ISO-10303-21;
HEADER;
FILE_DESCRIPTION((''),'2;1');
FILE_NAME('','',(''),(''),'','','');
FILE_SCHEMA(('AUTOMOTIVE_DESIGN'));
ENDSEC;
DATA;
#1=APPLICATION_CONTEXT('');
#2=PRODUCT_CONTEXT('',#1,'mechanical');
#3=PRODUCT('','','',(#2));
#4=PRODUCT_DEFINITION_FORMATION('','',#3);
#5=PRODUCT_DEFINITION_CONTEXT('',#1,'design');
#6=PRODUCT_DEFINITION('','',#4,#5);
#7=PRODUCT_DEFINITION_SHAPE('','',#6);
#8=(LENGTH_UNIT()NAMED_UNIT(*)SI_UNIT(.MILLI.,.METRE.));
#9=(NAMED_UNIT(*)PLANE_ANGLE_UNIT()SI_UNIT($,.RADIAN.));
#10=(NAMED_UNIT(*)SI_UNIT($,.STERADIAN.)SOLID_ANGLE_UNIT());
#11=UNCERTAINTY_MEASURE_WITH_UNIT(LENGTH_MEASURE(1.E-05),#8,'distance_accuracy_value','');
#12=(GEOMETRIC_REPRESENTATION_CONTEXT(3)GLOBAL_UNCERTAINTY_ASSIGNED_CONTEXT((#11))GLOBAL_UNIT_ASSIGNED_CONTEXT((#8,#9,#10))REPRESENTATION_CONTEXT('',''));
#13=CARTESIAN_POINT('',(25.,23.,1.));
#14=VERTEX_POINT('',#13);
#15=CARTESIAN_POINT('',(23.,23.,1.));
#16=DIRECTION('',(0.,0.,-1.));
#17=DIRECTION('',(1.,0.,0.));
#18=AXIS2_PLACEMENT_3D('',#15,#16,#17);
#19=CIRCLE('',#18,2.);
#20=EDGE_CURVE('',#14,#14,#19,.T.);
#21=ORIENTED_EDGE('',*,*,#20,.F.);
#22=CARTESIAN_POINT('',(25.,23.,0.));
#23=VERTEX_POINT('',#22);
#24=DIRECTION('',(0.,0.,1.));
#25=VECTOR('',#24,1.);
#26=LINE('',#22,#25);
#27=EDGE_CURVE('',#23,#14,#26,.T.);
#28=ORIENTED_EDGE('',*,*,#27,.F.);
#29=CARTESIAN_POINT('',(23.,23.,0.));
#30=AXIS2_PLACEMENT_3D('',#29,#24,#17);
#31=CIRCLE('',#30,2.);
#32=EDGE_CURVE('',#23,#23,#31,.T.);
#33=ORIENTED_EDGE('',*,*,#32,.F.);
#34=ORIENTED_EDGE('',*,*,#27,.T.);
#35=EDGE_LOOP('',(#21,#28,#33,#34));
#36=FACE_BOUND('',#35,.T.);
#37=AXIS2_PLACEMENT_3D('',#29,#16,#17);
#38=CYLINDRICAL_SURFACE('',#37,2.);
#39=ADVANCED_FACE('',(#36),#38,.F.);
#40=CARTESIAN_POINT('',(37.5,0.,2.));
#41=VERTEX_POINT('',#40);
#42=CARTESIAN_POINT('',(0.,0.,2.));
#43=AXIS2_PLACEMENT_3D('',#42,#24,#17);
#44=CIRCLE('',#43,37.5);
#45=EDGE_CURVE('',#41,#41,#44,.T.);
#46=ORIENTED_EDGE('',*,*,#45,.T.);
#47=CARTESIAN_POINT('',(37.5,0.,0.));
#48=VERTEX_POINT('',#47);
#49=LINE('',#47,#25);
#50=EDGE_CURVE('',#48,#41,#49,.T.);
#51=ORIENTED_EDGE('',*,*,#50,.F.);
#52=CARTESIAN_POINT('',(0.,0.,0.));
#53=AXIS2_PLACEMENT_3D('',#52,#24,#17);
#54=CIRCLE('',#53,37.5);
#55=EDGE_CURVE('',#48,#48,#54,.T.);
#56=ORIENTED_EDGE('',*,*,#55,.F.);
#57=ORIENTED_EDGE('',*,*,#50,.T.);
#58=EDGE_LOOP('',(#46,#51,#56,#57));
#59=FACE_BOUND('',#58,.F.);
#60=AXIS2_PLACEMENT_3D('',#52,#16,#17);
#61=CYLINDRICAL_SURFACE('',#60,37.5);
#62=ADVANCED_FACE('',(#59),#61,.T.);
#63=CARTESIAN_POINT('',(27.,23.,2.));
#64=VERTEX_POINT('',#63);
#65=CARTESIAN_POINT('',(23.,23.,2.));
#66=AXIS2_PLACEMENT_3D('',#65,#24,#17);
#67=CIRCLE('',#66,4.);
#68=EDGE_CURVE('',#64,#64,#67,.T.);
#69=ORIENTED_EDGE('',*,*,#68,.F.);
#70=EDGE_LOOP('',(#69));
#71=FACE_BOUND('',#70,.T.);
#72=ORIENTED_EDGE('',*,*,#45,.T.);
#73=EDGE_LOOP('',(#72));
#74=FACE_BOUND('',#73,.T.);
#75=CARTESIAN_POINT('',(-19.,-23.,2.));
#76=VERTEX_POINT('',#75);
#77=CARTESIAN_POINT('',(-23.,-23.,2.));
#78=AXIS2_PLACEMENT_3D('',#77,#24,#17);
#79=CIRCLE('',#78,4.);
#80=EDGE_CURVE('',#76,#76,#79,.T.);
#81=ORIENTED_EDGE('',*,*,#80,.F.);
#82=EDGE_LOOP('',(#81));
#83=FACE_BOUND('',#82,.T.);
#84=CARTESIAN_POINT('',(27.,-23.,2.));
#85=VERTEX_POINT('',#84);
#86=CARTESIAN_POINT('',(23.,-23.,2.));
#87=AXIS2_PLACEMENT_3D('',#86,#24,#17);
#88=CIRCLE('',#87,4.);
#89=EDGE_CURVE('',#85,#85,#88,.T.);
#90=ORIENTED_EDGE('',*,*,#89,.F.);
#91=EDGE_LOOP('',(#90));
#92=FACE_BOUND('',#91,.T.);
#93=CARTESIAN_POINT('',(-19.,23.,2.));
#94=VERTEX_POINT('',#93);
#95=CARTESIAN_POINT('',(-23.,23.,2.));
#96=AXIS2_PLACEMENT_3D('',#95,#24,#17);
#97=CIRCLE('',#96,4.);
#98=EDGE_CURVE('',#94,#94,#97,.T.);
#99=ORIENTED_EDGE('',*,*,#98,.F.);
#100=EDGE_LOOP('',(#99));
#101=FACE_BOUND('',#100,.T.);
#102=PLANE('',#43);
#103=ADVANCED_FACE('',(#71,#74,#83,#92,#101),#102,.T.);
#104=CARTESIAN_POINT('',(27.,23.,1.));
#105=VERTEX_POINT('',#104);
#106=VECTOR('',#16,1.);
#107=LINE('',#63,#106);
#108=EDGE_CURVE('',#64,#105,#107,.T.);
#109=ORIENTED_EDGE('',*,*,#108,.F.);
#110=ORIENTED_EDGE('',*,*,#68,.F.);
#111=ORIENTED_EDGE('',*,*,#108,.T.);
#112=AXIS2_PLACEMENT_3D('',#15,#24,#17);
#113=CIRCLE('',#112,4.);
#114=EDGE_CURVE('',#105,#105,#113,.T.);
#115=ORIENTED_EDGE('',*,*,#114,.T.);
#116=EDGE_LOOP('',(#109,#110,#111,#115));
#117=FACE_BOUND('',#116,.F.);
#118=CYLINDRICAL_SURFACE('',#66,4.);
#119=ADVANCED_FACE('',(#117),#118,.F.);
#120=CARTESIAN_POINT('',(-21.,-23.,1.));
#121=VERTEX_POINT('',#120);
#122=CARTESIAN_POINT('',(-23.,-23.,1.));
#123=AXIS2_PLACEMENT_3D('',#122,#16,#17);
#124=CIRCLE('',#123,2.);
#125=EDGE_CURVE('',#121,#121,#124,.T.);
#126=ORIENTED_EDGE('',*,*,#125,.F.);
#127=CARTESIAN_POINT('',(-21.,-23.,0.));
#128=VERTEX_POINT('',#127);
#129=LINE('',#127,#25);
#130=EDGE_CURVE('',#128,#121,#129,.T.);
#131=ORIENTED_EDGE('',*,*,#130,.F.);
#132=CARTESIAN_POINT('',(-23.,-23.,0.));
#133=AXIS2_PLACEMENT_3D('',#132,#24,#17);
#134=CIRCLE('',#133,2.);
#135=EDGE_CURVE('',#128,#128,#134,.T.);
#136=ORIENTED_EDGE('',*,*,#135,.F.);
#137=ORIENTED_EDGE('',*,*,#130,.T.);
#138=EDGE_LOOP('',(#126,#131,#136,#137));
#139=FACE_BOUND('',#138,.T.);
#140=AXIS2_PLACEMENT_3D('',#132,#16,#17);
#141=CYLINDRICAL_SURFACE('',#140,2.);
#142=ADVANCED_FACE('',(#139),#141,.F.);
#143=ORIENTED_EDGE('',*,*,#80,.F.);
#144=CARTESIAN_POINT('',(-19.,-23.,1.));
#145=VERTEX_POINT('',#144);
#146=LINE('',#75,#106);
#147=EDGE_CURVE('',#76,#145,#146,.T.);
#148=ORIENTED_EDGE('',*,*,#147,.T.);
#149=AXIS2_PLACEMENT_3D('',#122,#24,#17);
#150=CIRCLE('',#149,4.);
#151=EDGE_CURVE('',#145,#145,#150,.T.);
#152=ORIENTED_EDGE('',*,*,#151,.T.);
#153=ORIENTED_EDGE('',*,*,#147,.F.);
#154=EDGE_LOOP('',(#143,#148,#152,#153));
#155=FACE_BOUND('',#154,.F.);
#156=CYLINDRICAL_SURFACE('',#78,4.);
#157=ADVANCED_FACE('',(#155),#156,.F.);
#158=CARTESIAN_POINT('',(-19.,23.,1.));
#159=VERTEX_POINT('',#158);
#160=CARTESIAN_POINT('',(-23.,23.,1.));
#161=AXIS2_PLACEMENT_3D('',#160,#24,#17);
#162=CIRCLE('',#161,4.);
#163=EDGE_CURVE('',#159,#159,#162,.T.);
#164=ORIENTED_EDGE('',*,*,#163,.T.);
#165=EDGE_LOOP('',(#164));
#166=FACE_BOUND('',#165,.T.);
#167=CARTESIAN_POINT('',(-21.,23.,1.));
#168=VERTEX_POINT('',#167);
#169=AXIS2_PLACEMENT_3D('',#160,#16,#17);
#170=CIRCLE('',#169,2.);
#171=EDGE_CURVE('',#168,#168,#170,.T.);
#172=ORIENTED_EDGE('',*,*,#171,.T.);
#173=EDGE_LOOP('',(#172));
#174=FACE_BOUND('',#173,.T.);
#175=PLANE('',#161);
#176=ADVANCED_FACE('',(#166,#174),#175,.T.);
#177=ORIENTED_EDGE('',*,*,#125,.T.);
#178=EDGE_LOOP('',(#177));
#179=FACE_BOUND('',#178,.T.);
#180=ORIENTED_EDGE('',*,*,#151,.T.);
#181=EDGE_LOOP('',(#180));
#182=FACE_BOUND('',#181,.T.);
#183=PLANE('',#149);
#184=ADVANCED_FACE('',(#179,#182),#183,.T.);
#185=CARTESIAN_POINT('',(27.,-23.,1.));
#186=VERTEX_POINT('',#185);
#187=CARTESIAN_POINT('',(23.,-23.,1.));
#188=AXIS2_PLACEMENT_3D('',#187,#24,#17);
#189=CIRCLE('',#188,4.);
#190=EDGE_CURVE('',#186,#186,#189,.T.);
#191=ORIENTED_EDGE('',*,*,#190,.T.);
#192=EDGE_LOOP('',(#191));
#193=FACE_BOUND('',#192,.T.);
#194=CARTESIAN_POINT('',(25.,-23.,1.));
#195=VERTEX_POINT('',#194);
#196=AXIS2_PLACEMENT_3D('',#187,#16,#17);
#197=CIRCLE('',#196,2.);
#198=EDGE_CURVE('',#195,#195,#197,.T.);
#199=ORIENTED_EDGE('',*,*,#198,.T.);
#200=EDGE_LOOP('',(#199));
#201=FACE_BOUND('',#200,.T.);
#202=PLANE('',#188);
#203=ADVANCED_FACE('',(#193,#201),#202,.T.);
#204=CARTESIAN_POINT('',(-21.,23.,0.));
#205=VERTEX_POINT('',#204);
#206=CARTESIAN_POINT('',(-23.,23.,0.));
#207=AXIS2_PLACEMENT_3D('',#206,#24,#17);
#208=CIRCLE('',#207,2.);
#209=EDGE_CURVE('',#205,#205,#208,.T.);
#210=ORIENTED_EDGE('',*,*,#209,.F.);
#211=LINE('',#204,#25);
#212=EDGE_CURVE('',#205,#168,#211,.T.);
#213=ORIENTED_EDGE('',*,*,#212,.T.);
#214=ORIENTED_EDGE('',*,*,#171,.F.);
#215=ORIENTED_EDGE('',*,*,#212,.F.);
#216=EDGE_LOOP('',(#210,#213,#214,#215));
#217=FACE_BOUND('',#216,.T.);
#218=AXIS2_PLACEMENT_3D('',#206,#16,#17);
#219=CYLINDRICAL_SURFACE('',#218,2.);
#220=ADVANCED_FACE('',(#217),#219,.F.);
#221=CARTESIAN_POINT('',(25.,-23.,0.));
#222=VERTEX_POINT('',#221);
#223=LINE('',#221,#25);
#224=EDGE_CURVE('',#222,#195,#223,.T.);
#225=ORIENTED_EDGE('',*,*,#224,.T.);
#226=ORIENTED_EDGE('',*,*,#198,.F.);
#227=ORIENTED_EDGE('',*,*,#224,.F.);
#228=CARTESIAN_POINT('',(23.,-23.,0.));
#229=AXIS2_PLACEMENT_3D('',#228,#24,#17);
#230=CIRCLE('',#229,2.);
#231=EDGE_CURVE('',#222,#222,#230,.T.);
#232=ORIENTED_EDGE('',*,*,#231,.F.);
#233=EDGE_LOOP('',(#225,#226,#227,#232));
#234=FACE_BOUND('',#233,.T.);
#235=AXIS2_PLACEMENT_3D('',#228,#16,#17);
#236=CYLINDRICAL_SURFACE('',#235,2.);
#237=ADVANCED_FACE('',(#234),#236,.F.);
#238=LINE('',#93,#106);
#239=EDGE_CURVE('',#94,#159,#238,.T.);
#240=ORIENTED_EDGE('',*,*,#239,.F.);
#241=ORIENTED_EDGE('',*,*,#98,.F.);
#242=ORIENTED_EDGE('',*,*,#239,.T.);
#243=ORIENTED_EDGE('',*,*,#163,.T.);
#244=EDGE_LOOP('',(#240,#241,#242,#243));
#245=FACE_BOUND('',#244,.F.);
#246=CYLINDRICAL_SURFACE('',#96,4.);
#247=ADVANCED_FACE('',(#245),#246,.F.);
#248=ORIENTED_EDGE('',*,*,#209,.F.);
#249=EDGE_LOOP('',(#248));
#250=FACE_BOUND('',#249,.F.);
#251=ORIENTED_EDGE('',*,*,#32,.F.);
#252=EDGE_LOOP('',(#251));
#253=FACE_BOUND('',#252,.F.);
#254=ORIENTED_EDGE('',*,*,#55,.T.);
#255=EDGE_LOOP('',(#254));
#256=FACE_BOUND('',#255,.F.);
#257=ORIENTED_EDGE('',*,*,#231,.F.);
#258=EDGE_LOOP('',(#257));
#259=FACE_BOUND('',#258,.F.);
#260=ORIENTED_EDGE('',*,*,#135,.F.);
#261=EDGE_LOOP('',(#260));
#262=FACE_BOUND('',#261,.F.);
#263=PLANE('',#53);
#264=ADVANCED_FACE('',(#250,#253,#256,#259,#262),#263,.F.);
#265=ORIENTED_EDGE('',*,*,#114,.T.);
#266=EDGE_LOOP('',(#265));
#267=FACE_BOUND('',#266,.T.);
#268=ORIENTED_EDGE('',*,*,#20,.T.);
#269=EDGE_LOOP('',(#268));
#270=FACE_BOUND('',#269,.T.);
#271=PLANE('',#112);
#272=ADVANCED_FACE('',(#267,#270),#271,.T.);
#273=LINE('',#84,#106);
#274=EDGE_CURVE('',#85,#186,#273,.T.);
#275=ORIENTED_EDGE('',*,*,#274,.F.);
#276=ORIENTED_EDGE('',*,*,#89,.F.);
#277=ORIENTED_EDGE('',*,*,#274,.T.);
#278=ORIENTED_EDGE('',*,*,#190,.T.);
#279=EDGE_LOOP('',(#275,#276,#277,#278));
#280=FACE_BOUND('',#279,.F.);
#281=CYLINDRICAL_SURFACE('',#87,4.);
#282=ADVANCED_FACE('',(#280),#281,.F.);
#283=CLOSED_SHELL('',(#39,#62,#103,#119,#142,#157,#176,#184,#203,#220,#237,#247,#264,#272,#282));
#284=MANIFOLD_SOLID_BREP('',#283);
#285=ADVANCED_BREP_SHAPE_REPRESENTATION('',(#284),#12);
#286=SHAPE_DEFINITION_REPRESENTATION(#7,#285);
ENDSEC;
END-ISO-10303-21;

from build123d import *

# Parameters (mm, degrees)
F0_R     = 37.5
F0_R_2   = 2
F1_DEPTH = 2
F2_R     = 4
F3_DEPTH = 1


with BuildPart() as f1:
    # F0 (on Top) → F1 (new body)
    with BuildSketch(Plane.XY):
        Circle(F0_R)
        with Locations((-23, -23)):
            Circle(F0_R_2, mode=Mode.SUBTRACT)
        with Locations((23, -23)):
            Circle(F0_R_2, mode=Mode.SUBTRACT)
        with Locations((-23, 23)):
            Circle(F0_R_2, mode=Mode.SUBTRACT)
        with Locations((23, 23)):
            Circle(F0_R_2, mode=Mode.SUBTRACT)
    extrude(amount=F1_DEPTH)

    # F2 (on face) → F3 (cut)
    with BuildSketch(Plane.XY.offset(2)):
        with Locations((-23, 23)):
            Circle(F2_R)
        with Locations((23, 23)):
            Circle(F2_R)
        with Locations((-23, -23)):
            Circle(F2_R)
        with Locations((23, -23)):
            Circle(F2_R)
    extrude(amount=-F3_DEPTH, mode=Mode.SUBTRACT)


solid = f1.part
